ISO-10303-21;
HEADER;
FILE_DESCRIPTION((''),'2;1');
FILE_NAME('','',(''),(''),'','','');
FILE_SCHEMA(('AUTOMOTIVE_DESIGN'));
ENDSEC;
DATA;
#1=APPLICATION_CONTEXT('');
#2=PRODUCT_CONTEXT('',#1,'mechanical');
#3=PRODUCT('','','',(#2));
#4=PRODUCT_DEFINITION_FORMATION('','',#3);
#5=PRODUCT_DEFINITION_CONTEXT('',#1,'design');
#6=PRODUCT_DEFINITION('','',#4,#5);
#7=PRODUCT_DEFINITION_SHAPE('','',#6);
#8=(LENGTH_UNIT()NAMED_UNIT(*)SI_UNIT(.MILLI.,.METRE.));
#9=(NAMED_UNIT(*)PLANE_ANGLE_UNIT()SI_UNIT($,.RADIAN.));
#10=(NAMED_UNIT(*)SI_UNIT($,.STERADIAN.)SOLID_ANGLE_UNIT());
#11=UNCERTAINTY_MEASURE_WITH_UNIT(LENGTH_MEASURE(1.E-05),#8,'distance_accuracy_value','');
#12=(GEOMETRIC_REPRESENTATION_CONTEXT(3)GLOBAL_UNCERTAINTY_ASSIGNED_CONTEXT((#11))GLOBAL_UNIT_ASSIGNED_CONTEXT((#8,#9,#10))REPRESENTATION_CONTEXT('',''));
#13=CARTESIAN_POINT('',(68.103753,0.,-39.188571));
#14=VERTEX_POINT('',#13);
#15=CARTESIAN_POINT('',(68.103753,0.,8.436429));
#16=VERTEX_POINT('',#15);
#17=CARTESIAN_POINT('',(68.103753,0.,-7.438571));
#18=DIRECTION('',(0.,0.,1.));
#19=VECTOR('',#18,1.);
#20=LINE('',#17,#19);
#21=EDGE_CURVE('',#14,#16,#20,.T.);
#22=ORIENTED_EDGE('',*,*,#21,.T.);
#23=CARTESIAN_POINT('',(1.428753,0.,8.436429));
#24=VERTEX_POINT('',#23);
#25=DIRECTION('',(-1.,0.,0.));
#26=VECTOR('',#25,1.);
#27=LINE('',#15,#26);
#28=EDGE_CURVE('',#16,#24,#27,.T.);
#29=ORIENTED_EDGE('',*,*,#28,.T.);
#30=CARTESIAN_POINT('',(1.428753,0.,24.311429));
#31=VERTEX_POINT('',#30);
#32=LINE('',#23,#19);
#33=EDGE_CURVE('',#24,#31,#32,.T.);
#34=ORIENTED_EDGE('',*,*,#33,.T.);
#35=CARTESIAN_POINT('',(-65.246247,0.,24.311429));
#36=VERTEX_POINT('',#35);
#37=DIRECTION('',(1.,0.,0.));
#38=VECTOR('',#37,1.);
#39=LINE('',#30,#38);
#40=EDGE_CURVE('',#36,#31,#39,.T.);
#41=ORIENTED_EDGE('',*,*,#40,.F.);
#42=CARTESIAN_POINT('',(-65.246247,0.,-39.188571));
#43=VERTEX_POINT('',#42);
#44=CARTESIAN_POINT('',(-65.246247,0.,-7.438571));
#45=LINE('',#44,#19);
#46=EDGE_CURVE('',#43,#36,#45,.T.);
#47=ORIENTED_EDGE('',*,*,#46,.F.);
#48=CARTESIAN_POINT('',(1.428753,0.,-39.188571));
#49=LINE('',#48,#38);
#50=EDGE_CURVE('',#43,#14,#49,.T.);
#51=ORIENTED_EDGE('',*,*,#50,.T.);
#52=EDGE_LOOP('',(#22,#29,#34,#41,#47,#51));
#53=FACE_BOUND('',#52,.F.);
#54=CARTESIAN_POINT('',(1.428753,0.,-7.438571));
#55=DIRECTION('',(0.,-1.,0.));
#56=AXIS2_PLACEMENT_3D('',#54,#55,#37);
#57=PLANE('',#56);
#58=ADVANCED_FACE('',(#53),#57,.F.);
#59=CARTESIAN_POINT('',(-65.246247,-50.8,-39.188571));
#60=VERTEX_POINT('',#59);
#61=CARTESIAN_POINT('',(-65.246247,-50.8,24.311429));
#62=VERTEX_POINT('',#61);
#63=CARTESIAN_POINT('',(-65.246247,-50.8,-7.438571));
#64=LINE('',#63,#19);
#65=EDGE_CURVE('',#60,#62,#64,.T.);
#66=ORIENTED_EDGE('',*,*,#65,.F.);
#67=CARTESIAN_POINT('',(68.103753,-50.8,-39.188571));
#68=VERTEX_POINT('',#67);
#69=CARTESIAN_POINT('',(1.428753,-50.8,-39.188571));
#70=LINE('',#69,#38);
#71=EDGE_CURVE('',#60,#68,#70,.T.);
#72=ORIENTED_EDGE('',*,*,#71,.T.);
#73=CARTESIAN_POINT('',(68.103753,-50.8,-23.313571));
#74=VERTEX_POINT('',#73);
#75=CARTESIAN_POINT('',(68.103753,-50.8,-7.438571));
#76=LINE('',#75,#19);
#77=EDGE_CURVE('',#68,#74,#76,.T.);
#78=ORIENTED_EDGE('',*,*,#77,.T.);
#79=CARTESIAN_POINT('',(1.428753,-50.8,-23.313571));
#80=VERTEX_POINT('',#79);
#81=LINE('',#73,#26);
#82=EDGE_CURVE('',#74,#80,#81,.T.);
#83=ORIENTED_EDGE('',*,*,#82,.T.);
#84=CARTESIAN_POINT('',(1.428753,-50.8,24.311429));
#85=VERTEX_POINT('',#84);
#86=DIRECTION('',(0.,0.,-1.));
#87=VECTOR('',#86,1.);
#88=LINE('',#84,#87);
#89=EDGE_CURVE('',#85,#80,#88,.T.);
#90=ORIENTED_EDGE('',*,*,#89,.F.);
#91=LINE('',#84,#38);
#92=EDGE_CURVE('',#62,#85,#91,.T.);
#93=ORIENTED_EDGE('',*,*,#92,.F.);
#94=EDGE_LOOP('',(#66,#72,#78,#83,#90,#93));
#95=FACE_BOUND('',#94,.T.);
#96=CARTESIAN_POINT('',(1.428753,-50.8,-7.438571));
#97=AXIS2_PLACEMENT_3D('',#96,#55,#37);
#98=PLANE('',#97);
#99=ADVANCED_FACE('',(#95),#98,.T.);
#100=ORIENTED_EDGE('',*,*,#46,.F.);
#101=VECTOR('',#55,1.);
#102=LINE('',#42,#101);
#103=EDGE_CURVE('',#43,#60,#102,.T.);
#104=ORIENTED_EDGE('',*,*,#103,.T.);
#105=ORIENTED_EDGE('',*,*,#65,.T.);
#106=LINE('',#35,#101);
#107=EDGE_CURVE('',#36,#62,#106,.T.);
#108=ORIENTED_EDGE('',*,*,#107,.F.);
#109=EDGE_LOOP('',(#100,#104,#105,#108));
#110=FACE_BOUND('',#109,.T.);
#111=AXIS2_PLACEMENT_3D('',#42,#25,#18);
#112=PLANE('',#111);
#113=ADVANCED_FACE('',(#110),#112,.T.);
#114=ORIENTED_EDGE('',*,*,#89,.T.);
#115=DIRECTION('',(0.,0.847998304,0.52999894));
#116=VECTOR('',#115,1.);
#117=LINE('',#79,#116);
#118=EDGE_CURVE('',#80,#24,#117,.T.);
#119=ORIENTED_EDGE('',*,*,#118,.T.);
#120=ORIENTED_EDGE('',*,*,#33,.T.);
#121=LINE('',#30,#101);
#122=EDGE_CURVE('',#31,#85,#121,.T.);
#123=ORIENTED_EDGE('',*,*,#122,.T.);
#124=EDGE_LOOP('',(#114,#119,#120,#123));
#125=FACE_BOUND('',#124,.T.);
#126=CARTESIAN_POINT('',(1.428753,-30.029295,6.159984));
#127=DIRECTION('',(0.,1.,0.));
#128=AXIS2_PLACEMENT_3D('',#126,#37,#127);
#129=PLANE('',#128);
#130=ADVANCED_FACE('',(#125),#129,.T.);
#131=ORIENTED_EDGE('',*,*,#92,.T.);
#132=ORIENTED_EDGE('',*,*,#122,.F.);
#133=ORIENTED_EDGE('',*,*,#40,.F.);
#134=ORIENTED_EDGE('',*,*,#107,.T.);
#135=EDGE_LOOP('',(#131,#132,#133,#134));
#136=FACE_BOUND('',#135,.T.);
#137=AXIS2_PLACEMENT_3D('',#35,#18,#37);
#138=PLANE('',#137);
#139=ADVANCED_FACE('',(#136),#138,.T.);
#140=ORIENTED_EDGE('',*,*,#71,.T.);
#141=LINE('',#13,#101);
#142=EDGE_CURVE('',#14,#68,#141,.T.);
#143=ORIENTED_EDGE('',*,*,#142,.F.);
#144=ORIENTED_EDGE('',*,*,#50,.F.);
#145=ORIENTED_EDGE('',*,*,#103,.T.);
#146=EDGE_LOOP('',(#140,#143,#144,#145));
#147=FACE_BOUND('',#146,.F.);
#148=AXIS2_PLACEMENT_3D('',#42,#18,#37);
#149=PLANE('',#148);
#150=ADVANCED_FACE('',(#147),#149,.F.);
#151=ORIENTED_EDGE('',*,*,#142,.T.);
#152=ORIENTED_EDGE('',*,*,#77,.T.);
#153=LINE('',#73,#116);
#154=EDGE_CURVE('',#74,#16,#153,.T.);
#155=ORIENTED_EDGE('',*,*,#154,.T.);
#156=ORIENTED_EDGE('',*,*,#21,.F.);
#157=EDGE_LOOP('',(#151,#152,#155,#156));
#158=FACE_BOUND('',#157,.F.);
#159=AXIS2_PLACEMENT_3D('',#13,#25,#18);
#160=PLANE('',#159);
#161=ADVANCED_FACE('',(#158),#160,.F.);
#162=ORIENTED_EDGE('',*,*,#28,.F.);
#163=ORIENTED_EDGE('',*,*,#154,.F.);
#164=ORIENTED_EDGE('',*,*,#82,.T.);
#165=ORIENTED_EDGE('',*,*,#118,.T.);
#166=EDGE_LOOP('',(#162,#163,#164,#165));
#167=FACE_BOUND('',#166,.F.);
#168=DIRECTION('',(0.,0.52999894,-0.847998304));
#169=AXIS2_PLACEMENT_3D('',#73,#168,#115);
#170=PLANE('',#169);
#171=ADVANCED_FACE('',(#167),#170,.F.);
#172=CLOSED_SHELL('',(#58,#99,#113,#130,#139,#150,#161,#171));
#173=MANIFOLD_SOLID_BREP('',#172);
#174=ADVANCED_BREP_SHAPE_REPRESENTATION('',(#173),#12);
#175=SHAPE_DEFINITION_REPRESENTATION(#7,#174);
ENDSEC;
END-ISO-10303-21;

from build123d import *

# Parameters (mm, degrees)
F0_W     = 133.35
F0_H     = 63.5
F1_DEPTH = 50.8
F3_DEPTH = 66.675


with BuildPart() as f1:
    # F0 (on Front) → F1 (new body)
    with BuildSketch(Plane.XZ):
        with Locations((1.428753, -7.438571)):
            Rectangle(F0_W, F0_H)
    extrude(amount=F1_DEPTH)

    # F2 (on face) → F3 (cut)
    with BuildSketch(Plane.YZ.offset(68.103753)):
        Polygon((-50.8, 24.311429), (-50.8, -23.313571), (0, 8.436429), (0, 24.311429), align=None)
    extrude(amount=-F3_DEPTH, mode=Mode.SUBTRACT)


solid = f1.part
